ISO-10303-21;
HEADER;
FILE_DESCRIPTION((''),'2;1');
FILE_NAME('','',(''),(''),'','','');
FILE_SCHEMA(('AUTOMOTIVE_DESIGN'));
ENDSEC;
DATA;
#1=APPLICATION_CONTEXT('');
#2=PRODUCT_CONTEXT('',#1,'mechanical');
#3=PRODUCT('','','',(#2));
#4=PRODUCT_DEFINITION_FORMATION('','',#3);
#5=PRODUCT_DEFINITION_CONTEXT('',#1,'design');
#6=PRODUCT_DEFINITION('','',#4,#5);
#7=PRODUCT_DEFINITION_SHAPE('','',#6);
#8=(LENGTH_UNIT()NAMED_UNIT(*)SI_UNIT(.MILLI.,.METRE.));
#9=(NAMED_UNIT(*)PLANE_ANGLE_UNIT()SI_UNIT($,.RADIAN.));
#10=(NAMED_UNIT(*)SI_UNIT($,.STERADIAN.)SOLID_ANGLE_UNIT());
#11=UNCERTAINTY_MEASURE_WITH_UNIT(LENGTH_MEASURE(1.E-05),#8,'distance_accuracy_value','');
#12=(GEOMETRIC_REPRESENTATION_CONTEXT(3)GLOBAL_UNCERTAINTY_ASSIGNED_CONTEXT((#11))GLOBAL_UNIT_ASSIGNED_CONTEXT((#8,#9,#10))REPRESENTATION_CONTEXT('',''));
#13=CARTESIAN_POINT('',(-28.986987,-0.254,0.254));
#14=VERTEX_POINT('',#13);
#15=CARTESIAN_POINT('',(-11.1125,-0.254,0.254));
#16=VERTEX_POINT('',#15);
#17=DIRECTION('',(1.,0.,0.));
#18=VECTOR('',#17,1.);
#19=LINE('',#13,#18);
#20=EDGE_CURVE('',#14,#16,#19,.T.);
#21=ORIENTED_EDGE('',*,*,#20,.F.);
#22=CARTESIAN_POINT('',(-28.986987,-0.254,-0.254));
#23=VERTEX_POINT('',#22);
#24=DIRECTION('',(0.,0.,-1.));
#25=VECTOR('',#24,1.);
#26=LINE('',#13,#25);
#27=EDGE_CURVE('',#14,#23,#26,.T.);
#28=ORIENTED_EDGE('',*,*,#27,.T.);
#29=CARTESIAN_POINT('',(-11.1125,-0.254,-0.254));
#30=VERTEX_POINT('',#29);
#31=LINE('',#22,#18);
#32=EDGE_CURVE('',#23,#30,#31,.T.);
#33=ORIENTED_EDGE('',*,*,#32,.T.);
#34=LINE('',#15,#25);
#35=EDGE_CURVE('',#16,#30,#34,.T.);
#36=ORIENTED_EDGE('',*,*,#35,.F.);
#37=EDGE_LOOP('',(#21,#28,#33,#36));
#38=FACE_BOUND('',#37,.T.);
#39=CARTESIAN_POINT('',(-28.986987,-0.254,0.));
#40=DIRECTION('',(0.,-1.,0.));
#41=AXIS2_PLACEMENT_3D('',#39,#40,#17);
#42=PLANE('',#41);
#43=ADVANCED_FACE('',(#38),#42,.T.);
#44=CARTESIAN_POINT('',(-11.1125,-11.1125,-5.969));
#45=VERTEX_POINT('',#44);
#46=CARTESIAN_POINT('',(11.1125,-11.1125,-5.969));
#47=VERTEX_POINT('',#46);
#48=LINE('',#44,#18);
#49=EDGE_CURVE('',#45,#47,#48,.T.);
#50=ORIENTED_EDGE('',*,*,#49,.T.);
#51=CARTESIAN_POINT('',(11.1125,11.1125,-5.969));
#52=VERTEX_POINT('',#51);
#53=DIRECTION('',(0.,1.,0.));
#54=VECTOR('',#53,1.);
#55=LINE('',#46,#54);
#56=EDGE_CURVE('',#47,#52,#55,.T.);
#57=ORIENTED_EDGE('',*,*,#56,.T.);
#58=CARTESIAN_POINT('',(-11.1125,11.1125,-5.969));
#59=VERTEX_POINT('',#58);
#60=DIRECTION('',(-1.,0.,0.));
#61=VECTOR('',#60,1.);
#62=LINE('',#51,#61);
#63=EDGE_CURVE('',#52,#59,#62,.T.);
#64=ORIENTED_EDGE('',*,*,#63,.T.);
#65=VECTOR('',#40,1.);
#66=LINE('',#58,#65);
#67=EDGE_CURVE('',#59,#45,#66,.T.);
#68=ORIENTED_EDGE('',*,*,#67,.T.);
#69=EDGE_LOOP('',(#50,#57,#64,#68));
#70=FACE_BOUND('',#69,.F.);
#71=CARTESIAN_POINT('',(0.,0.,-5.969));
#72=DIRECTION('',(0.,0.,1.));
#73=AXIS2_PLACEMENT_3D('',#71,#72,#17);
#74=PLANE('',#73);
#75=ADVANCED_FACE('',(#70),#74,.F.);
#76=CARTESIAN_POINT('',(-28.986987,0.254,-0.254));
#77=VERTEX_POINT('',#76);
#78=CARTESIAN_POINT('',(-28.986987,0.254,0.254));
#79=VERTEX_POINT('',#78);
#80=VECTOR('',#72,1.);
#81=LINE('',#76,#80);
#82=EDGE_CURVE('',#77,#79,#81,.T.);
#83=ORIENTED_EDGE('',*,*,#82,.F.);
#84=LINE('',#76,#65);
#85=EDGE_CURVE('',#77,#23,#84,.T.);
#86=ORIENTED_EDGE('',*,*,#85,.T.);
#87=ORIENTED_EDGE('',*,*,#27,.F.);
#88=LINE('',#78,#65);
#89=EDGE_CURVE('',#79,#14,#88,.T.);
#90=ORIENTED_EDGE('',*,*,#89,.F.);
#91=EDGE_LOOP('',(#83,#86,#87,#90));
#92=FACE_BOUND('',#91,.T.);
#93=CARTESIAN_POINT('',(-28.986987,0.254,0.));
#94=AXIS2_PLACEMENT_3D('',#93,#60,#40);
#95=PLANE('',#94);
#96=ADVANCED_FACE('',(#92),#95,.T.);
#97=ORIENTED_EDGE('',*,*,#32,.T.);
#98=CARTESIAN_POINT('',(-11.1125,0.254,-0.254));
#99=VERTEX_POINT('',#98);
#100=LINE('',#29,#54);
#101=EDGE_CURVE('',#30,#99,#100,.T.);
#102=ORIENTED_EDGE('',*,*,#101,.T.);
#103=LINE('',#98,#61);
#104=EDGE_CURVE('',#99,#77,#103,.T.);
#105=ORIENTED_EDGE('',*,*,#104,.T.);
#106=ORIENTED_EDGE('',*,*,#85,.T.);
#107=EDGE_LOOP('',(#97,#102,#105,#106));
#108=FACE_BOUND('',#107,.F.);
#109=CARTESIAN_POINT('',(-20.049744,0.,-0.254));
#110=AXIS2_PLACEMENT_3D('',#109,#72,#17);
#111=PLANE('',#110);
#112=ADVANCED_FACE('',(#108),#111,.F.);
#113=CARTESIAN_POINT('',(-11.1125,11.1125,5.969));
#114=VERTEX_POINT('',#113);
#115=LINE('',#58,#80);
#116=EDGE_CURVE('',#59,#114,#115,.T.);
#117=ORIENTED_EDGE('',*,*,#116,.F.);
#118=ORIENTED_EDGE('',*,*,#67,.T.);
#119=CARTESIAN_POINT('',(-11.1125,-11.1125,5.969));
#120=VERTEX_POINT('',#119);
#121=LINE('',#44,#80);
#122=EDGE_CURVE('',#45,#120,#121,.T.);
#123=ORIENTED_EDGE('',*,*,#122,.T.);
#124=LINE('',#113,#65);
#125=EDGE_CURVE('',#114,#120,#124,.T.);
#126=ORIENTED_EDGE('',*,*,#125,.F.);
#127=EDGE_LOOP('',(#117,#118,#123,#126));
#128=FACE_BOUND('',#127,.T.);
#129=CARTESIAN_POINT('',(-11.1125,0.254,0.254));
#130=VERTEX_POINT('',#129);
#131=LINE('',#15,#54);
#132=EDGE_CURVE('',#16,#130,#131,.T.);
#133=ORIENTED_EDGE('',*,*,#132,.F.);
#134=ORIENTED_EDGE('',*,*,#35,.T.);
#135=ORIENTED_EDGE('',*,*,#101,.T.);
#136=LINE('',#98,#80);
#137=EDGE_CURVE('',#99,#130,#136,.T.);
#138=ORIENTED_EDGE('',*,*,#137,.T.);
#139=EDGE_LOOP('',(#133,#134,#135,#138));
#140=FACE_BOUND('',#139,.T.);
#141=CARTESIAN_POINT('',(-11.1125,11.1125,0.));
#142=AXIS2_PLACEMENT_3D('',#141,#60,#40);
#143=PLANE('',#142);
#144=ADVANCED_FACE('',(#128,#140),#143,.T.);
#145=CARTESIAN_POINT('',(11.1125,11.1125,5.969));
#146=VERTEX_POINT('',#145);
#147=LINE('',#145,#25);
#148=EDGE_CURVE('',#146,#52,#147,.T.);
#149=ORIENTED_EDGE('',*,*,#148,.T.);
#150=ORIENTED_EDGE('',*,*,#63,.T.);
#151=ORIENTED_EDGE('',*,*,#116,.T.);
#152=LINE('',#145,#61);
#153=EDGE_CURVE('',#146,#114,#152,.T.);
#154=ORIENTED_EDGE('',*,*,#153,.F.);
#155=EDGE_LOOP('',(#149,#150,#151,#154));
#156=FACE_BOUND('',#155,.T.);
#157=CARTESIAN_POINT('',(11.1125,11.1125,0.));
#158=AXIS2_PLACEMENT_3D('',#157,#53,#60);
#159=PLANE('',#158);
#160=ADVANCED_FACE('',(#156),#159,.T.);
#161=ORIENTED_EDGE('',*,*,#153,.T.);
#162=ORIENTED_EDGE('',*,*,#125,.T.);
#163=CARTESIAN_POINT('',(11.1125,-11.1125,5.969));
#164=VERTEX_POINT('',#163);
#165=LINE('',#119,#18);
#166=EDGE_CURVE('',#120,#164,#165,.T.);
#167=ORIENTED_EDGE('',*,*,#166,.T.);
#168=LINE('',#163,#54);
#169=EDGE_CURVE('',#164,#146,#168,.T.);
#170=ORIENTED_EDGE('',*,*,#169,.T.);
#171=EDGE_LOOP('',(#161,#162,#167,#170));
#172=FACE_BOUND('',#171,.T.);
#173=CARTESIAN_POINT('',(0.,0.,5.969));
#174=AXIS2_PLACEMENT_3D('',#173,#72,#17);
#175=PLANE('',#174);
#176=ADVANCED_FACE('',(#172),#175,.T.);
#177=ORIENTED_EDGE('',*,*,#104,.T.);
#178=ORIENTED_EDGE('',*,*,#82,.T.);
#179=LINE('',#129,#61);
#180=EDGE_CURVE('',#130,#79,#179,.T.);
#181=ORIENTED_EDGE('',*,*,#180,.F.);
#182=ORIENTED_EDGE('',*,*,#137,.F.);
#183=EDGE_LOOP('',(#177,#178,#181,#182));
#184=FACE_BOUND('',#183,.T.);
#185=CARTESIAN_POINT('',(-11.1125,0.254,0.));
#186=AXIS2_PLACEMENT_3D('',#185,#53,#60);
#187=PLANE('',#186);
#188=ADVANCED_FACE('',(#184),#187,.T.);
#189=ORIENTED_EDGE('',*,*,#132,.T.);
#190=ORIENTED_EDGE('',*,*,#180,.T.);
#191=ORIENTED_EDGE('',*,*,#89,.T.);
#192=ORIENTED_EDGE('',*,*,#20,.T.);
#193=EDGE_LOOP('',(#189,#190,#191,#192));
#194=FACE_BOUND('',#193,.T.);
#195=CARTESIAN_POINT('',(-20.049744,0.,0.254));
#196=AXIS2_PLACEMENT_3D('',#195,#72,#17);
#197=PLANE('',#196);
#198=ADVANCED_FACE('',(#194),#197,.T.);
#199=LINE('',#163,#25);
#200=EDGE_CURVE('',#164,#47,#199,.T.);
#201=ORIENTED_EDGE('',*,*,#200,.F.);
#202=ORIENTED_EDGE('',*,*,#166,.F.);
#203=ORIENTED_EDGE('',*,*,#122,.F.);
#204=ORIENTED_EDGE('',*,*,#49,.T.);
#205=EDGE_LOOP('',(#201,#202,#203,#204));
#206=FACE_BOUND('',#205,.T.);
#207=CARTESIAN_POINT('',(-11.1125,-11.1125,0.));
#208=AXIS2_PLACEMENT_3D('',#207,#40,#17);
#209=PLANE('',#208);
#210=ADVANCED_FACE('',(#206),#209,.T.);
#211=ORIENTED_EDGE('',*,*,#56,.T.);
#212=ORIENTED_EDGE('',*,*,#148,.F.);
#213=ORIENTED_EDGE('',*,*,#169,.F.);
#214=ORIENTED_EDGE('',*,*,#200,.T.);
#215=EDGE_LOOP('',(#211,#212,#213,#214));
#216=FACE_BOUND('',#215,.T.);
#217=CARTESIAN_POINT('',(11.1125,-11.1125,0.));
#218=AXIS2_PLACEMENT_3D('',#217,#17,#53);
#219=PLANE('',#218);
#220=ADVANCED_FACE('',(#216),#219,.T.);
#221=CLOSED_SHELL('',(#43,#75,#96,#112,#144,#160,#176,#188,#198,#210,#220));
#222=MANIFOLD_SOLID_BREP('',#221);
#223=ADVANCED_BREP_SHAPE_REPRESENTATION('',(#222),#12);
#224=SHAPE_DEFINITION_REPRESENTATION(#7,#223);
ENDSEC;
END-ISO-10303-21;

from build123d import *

# Parameters (mm, degrees)
F1_DEPTH = 5.969
F2_DEPTH = 0.254


with BuildPart() as f1:
    # F0 (on Top) → F1 (new body, symmetric)
    with BuildSketch(Plane.XY):
        Polygon((11.1125, 11.1125), (-11.1125, 11.1125), (-11.1125, 0.254), (-11.1125, -0.254), (-11.1125, -11.1125), (11.1125, -11.1125), align=None)
    extrude(amount=F1_DEPTH, both=True)

    # F0 (on Top) → F2 (join, symmetric)
    with BuildSketch(Plane.XY):
        Polygon((-11.1125, -0.254), (-11.1125, 0.254), (-28.986987, 0.254), (-28.986987, 0), (-28.986987, -0.254), align=None)
    extrude(amount=F2_DEPTH, both=True)


solid = f1.part
